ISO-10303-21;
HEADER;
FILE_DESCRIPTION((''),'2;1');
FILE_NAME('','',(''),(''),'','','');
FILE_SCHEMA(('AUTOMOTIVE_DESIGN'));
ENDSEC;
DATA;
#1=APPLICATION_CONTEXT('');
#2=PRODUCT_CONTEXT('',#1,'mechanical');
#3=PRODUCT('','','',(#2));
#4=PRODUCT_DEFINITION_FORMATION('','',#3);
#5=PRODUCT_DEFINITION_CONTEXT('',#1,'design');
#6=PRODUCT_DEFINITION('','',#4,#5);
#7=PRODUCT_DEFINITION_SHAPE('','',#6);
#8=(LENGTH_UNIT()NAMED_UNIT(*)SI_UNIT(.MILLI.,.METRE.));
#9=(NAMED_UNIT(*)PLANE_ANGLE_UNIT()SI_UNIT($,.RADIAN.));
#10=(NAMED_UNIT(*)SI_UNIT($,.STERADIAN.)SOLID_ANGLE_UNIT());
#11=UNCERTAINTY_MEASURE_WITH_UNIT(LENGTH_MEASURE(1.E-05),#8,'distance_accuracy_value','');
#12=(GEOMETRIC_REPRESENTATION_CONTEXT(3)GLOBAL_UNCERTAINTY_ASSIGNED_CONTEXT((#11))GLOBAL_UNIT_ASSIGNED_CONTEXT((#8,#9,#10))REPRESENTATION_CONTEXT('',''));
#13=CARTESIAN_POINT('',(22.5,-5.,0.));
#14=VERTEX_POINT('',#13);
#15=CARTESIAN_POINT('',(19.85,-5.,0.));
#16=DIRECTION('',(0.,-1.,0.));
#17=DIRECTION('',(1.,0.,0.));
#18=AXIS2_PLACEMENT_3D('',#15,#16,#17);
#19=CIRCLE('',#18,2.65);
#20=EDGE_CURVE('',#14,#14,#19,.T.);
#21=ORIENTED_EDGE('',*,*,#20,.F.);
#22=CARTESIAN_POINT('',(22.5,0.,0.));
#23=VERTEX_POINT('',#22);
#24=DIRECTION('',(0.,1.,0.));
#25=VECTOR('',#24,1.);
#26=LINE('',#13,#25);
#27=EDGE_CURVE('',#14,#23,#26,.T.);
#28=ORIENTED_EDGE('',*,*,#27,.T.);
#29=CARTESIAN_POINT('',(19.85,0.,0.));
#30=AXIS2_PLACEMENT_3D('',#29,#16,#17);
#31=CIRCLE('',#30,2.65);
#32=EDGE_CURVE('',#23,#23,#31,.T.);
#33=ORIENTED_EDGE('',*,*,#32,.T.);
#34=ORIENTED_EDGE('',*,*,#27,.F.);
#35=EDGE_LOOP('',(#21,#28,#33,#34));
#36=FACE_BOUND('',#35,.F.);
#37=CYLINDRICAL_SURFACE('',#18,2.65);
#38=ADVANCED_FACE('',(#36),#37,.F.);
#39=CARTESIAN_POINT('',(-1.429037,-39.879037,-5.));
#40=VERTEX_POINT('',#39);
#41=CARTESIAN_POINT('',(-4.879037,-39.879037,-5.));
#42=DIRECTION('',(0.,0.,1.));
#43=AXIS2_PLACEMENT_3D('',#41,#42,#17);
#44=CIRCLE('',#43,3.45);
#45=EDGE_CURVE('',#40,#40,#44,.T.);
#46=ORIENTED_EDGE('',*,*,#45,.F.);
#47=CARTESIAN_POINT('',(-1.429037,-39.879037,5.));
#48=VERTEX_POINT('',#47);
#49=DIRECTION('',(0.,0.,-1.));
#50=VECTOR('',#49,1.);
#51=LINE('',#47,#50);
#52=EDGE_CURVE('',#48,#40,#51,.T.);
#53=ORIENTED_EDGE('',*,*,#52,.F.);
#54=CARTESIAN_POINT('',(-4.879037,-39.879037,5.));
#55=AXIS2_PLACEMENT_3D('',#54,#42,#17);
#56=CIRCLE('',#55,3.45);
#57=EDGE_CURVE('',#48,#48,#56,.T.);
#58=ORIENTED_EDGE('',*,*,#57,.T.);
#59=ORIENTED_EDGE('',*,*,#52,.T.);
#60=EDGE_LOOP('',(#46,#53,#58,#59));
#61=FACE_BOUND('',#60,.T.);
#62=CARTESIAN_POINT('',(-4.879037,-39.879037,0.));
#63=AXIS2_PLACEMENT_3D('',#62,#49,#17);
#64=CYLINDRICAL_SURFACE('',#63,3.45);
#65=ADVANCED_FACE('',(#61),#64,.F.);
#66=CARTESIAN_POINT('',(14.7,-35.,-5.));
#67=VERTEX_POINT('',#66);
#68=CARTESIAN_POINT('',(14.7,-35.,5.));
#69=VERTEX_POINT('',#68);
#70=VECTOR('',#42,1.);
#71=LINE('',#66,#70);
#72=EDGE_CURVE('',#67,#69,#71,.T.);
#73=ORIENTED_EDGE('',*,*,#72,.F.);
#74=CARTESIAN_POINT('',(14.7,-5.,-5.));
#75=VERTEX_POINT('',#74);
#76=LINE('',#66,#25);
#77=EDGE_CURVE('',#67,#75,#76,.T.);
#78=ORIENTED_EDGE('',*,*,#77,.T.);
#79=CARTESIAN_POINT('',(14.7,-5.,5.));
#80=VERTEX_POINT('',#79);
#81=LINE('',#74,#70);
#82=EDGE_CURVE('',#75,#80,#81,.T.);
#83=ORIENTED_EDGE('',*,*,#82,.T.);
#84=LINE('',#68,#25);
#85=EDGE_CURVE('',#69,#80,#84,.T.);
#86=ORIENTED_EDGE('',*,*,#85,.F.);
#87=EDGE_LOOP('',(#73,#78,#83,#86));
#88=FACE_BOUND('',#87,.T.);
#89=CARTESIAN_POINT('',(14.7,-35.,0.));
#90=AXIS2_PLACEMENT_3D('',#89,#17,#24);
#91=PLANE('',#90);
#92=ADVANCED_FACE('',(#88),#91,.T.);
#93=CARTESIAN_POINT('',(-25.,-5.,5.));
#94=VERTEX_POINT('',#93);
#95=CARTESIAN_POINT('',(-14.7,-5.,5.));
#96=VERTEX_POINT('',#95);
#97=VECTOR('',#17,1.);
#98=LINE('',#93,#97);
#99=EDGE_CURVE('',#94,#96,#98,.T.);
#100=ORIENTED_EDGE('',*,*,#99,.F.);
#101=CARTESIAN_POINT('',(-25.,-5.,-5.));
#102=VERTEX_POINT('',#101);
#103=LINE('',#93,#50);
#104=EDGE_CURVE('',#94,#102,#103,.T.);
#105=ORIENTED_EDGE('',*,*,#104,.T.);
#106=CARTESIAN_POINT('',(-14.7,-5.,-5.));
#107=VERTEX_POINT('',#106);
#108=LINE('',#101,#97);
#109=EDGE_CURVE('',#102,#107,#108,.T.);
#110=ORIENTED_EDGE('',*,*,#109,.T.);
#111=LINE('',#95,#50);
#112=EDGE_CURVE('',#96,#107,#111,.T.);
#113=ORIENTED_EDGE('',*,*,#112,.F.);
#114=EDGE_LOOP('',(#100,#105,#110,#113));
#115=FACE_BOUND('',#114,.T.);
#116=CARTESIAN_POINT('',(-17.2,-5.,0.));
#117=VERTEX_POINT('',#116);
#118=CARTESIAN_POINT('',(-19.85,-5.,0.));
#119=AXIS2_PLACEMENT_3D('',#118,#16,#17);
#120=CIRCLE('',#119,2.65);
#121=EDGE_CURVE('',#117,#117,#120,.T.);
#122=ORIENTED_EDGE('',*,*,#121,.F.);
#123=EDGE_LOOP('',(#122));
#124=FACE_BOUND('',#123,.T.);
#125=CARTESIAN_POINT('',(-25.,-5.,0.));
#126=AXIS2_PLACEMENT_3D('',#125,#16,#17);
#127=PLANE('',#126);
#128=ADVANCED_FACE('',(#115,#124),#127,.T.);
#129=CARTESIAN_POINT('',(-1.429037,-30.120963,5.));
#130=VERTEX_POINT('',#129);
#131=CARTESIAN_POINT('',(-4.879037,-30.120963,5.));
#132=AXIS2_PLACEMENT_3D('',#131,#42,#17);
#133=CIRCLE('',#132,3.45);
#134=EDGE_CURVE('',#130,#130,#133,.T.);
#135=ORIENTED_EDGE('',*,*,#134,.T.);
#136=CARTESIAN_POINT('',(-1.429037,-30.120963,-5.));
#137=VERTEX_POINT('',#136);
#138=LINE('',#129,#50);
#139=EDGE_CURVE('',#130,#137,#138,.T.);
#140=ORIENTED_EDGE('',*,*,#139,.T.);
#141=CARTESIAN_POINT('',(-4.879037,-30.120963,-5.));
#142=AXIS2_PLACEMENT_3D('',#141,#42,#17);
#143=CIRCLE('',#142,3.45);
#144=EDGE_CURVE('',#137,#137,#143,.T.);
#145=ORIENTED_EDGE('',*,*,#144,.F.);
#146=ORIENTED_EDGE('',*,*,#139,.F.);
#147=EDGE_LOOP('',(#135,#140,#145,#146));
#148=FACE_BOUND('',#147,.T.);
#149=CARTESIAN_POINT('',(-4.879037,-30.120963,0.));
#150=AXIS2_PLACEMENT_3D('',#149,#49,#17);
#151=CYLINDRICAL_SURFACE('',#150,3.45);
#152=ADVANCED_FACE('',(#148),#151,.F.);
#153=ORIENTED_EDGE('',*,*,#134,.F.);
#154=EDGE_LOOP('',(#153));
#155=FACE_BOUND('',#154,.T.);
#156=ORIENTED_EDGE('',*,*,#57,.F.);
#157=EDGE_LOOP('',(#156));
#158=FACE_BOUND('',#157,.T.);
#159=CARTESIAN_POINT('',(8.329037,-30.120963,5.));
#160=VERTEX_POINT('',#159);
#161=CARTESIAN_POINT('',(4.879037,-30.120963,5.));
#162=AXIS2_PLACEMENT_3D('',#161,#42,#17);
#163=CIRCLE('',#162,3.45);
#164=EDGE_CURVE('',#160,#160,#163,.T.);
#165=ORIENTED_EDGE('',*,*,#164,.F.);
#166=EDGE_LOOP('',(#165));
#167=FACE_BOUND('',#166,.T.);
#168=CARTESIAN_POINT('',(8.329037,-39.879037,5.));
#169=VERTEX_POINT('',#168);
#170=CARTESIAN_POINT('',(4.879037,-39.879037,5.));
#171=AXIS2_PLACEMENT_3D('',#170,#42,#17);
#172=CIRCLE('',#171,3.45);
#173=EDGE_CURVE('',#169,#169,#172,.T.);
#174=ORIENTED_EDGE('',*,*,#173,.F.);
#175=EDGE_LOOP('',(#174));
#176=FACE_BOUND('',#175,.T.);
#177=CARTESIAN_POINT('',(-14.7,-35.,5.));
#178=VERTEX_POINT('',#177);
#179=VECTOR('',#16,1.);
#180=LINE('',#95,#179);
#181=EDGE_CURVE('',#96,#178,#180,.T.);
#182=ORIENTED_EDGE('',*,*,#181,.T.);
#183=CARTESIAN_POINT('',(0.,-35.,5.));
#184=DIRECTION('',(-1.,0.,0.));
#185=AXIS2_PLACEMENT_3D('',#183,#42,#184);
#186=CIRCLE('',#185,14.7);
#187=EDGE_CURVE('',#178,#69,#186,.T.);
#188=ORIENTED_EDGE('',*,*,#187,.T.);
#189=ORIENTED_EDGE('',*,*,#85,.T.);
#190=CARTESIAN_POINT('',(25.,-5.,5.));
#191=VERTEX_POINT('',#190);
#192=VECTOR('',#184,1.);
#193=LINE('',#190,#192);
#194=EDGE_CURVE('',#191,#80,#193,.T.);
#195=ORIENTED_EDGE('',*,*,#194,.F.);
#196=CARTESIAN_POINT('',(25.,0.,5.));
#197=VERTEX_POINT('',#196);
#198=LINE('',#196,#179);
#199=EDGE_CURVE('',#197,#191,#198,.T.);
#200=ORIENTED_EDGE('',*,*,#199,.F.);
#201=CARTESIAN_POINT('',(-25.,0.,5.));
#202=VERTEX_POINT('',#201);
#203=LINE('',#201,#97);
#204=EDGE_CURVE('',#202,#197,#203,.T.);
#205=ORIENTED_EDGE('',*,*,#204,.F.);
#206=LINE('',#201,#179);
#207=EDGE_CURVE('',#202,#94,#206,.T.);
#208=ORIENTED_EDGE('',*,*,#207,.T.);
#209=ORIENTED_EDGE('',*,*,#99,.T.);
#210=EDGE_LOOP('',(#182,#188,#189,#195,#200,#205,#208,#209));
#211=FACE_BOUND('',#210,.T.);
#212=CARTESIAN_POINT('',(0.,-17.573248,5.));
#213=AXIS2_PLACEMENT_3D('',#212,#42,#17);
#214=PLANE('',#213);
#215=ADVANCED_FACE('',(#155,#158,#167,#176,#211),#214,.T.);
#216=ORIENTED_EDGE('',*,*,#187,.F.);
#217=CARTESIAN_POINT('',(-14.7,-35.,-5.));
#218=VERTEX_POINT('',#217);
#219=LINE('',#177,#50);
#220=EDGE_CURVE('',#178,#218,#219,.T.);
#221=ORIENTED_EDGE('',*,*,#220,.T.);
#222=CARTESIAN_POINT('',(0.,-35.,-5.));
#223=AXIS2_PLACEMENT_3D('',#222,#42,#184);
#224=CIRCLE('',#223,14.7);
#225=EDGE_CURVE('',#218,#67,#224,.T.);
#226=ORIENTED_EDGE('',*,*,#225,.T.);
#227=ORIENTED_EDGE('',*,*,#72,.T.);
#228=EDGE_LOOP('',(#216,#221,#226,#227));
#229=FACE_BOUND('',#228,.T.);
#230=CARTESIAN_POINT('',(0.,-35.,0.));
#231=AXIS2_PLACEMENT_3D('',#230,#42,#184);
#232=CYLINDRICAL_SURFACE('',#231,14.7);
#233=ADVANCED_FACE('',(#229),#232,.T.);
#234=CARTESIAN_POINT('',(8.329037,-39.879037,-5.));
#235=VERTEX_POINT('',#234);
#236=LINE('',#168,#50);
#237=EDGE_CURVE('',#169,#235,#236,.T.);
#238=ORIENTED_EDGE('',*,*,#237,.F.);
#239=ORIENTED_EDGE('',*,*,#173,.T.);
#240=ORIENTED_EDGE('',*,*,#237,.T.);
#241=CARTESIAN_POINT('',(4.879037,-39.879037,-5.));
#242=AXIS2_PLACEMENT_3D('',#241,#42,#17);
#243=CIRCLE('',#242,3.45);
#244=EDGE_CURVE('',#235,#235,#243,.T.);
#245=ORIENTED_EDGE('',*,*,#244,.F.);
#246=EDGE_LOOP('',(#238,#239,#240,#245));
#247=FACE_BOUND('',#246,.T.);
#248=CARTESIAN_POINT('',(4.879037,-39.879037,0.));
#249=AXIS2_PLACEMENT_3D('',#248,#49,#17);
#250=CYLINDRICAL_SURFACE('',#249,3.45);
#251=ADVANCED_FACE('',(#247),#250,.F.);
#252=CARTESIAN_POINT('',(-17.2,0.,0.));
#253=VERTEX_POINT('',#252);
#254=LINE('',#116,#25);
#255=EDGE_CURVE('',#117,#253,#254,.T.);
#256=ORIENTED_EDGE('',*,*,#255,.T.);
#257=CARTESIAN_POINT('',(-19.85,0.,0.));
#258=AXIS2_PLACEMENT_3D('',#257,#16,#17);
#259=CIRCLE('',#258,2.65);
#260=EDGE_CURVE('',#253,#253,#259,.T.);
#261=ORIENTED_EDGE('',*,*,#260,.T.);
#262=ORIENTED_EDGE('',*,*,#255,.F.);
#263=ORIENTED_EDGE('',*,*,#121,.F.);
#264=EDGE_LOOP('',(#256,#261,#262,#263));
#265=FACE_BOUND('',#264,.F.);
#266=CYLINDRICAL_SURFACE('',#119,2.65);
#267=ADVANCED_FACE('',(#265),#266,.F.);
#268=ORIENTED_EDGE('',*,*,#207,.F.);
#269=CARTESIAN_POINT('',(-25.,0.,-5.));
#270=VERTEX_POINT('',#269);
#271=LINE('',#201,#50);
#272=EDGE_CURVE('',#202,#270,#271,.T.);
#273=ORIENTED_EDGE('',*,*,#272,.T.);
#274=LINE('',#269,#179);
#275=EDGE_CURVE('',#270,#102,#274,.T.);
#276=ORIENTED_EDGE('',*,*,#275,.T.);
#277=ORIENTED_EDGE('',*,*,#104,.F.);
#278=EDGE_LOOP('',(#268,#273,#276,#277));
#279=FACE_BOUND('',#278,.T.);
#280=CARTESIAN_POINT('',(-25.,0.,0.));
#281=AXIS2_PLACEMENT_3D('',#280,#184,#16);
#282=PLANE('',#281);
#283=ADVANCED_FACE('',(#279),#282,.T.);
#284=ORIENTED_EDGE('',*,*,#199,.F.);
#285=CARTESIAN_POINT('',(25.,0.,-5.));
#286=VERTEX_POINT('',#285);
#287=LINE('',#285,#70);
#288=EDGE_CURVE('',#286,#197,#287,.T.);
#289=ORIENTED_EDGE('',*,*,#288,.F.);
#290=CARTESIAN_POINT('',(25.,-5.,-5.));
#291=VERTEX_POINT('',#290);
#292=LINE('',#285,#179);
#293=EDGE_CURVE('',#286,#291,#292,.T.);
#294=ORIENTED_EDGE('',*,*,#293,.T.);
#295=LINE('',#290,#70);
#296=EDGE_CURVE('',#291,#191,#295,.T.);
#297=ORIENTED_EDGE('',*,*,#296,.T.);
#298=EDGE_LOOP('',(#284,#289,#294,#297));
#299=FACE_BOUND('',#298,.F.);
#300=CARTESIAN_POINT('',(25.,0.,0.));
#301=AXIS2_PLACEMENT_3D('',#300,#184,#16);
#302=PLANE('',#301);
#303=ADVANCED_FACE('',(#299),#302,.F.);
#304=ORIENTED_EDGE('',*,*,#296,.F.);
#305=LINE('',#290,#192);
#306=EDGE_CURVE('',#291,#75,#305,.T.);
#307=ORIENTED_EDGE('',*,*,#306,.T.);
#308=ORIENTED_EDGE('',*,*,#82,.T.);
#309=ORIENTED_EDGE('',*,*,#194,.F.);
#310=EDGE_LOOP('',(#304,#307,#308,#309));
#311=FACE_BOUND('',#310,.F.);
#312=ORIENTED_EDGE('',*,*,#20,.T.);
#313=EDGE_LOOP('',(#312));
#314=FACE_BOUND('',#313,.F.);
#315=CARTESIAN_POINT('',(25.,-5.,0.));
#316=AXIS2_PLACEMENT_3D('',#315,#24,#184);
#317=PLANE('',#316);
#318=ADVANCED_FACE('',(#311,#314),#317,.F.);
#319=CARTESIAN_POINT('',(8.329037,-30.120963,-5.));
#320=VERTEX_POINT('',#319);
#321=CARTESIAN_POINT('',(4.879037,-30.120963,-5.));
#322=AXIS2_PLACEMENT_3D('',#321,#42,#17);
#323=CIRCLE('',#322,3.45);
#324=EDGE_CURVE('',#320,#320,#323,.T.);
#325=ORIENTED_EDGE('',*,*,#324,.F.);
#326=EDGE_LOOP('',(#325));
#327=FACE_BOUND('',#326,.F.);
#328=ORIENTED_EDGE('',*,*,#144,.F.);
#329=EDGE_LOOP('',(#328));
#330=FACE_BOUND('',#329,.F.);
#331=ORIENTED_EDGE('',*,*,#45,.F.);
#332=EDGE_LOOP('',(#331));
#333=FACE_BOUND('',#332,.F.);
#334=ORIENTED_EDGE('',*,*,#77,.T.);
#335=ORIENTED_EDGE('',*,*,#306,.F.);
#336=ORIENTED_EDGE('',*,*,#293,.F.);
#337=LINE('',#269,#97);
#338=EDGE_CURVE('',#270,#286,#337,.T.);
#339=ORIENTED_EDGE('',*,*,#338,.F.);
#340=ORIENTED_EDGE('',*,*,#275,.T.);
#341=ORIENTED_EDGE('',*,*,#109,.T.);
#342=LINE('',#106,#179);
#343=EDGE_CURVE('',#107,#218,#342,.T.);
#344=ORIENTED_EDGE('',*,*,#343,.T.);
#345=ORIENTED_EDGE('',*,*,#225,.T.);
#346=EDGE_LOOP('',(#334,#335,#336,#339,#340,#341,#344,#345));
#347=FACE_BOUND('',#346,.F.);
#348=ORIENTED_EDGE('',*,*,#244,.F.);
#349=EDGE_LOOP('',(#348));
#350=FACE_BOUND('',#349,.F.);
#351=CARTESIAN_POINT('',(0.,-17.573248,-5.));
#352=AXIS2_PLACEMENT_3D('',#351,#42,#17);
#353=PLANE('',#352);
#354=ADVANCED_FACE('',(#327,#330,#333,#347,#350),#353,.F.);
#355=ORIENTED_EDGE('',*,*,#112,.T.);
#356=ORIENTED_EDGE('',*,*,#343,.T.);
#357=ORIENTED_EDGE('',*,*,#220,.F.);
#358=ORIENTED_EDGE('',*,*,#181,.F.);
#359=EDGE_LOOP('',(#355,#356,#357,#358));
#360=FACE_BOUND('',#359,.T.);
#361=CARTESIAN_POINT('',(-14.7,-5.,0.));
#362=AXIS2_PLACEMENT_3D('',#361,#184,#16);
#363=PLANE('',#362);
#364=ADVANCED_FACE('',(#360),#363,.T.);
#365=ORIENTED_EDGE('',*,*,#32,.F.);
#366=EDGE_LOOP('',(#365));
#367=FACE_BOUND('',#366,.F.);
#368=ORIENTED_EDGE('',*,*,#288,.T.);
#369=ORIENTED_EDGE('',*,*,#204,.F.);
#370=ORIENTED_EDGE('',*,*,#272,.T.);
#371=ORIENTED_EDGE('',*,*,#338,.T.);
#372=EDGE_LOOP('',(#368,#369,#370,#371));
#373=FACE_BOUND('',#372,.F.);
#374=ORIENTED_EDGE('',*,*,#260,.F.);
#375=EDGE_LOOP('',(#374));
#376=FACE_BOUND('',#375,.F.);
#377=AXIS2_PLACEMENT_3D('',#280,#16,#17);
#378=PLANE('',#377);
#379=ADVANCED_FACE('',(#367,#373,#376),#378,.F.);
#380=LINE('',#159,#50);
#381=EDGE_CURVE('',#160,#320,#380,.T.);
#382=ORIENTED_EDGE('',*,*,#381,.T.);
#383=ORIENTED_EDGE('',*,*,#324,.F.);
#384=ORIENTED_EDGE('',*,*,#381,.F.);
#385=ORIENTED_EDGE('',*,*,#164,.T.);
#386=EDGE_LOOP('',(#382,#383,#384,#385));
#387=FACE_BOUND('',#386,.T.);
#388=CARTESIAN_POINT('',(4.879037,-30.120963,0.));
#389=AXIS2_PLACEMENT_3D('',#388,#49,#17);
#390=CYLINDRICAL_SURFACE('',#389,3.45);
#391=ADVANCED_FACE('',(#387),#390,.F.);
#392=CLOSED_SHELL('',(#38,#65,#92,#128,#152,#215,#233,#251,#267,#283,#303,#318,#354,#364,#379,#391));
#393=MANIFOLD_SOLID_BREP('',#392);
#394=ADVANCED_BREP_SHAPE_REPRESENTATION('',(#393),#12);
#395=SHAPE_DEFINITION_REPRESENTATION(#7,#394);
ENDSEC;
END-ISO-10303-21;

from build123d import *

# Parameters (mm, degrees)
SKETCH_R    = 3.45
PAD_DEPTH   = 5
SKETCH001_R = 2.65
HOLE_DEPTH  = 5.001


with BuildPart() as part:
    # Sketch → Pad (new body, symmetric)
    with BuildSketch(Plane.XY):
        with BuildLine():
            ThreePointArc((-14.7, -35), (0, -49.7), (14.7, -35))
            Line((14.7, -35), (14.7, -5))
            Line((25, -5), (14.7, -5))
            Line((25, 0), (25, -5))
            Line((-25, 0), (25, 0))
            Line((-25, 0), (-25, -5))
            Line((-25, -5), (-14.7, -5))
            Line((-14.7, -5), (-14.7, -35))
        make_face()
        with Locations((-4.879037, -30.120963)):
            Circle(SKETCH_R, mode=Mode.SUBTRACT)
        with Locations((4.879037, -30.120963)):
            Circle(SKETCH_R, mode=Mode.SUBTRACT)
        with Locations((4.879037, -39.879037)):
            Circle(SKETCH_R, mode=Mode.SUBTRACT)
        with Locations((-4.879037, -39.879037)):
            Circle(SKETCH_R, mode=Mode.SUBTRACT)
    extrude(amount=PAD_DEPTH, both=True)

    # Sketch001 → Hole (cut, through all)
    with BuildSketch(Plane.XZ.offset(5)):
        with Locations((-19.85, 0)):
            Circle(SKETCH001_R)
        with Locations((19.85, 0)):
            Circle(SKETCH001_R)
    extrude(amount=-HOLE_DEPTH, mode=Mode.SUBTRACT)


solid = part.part
